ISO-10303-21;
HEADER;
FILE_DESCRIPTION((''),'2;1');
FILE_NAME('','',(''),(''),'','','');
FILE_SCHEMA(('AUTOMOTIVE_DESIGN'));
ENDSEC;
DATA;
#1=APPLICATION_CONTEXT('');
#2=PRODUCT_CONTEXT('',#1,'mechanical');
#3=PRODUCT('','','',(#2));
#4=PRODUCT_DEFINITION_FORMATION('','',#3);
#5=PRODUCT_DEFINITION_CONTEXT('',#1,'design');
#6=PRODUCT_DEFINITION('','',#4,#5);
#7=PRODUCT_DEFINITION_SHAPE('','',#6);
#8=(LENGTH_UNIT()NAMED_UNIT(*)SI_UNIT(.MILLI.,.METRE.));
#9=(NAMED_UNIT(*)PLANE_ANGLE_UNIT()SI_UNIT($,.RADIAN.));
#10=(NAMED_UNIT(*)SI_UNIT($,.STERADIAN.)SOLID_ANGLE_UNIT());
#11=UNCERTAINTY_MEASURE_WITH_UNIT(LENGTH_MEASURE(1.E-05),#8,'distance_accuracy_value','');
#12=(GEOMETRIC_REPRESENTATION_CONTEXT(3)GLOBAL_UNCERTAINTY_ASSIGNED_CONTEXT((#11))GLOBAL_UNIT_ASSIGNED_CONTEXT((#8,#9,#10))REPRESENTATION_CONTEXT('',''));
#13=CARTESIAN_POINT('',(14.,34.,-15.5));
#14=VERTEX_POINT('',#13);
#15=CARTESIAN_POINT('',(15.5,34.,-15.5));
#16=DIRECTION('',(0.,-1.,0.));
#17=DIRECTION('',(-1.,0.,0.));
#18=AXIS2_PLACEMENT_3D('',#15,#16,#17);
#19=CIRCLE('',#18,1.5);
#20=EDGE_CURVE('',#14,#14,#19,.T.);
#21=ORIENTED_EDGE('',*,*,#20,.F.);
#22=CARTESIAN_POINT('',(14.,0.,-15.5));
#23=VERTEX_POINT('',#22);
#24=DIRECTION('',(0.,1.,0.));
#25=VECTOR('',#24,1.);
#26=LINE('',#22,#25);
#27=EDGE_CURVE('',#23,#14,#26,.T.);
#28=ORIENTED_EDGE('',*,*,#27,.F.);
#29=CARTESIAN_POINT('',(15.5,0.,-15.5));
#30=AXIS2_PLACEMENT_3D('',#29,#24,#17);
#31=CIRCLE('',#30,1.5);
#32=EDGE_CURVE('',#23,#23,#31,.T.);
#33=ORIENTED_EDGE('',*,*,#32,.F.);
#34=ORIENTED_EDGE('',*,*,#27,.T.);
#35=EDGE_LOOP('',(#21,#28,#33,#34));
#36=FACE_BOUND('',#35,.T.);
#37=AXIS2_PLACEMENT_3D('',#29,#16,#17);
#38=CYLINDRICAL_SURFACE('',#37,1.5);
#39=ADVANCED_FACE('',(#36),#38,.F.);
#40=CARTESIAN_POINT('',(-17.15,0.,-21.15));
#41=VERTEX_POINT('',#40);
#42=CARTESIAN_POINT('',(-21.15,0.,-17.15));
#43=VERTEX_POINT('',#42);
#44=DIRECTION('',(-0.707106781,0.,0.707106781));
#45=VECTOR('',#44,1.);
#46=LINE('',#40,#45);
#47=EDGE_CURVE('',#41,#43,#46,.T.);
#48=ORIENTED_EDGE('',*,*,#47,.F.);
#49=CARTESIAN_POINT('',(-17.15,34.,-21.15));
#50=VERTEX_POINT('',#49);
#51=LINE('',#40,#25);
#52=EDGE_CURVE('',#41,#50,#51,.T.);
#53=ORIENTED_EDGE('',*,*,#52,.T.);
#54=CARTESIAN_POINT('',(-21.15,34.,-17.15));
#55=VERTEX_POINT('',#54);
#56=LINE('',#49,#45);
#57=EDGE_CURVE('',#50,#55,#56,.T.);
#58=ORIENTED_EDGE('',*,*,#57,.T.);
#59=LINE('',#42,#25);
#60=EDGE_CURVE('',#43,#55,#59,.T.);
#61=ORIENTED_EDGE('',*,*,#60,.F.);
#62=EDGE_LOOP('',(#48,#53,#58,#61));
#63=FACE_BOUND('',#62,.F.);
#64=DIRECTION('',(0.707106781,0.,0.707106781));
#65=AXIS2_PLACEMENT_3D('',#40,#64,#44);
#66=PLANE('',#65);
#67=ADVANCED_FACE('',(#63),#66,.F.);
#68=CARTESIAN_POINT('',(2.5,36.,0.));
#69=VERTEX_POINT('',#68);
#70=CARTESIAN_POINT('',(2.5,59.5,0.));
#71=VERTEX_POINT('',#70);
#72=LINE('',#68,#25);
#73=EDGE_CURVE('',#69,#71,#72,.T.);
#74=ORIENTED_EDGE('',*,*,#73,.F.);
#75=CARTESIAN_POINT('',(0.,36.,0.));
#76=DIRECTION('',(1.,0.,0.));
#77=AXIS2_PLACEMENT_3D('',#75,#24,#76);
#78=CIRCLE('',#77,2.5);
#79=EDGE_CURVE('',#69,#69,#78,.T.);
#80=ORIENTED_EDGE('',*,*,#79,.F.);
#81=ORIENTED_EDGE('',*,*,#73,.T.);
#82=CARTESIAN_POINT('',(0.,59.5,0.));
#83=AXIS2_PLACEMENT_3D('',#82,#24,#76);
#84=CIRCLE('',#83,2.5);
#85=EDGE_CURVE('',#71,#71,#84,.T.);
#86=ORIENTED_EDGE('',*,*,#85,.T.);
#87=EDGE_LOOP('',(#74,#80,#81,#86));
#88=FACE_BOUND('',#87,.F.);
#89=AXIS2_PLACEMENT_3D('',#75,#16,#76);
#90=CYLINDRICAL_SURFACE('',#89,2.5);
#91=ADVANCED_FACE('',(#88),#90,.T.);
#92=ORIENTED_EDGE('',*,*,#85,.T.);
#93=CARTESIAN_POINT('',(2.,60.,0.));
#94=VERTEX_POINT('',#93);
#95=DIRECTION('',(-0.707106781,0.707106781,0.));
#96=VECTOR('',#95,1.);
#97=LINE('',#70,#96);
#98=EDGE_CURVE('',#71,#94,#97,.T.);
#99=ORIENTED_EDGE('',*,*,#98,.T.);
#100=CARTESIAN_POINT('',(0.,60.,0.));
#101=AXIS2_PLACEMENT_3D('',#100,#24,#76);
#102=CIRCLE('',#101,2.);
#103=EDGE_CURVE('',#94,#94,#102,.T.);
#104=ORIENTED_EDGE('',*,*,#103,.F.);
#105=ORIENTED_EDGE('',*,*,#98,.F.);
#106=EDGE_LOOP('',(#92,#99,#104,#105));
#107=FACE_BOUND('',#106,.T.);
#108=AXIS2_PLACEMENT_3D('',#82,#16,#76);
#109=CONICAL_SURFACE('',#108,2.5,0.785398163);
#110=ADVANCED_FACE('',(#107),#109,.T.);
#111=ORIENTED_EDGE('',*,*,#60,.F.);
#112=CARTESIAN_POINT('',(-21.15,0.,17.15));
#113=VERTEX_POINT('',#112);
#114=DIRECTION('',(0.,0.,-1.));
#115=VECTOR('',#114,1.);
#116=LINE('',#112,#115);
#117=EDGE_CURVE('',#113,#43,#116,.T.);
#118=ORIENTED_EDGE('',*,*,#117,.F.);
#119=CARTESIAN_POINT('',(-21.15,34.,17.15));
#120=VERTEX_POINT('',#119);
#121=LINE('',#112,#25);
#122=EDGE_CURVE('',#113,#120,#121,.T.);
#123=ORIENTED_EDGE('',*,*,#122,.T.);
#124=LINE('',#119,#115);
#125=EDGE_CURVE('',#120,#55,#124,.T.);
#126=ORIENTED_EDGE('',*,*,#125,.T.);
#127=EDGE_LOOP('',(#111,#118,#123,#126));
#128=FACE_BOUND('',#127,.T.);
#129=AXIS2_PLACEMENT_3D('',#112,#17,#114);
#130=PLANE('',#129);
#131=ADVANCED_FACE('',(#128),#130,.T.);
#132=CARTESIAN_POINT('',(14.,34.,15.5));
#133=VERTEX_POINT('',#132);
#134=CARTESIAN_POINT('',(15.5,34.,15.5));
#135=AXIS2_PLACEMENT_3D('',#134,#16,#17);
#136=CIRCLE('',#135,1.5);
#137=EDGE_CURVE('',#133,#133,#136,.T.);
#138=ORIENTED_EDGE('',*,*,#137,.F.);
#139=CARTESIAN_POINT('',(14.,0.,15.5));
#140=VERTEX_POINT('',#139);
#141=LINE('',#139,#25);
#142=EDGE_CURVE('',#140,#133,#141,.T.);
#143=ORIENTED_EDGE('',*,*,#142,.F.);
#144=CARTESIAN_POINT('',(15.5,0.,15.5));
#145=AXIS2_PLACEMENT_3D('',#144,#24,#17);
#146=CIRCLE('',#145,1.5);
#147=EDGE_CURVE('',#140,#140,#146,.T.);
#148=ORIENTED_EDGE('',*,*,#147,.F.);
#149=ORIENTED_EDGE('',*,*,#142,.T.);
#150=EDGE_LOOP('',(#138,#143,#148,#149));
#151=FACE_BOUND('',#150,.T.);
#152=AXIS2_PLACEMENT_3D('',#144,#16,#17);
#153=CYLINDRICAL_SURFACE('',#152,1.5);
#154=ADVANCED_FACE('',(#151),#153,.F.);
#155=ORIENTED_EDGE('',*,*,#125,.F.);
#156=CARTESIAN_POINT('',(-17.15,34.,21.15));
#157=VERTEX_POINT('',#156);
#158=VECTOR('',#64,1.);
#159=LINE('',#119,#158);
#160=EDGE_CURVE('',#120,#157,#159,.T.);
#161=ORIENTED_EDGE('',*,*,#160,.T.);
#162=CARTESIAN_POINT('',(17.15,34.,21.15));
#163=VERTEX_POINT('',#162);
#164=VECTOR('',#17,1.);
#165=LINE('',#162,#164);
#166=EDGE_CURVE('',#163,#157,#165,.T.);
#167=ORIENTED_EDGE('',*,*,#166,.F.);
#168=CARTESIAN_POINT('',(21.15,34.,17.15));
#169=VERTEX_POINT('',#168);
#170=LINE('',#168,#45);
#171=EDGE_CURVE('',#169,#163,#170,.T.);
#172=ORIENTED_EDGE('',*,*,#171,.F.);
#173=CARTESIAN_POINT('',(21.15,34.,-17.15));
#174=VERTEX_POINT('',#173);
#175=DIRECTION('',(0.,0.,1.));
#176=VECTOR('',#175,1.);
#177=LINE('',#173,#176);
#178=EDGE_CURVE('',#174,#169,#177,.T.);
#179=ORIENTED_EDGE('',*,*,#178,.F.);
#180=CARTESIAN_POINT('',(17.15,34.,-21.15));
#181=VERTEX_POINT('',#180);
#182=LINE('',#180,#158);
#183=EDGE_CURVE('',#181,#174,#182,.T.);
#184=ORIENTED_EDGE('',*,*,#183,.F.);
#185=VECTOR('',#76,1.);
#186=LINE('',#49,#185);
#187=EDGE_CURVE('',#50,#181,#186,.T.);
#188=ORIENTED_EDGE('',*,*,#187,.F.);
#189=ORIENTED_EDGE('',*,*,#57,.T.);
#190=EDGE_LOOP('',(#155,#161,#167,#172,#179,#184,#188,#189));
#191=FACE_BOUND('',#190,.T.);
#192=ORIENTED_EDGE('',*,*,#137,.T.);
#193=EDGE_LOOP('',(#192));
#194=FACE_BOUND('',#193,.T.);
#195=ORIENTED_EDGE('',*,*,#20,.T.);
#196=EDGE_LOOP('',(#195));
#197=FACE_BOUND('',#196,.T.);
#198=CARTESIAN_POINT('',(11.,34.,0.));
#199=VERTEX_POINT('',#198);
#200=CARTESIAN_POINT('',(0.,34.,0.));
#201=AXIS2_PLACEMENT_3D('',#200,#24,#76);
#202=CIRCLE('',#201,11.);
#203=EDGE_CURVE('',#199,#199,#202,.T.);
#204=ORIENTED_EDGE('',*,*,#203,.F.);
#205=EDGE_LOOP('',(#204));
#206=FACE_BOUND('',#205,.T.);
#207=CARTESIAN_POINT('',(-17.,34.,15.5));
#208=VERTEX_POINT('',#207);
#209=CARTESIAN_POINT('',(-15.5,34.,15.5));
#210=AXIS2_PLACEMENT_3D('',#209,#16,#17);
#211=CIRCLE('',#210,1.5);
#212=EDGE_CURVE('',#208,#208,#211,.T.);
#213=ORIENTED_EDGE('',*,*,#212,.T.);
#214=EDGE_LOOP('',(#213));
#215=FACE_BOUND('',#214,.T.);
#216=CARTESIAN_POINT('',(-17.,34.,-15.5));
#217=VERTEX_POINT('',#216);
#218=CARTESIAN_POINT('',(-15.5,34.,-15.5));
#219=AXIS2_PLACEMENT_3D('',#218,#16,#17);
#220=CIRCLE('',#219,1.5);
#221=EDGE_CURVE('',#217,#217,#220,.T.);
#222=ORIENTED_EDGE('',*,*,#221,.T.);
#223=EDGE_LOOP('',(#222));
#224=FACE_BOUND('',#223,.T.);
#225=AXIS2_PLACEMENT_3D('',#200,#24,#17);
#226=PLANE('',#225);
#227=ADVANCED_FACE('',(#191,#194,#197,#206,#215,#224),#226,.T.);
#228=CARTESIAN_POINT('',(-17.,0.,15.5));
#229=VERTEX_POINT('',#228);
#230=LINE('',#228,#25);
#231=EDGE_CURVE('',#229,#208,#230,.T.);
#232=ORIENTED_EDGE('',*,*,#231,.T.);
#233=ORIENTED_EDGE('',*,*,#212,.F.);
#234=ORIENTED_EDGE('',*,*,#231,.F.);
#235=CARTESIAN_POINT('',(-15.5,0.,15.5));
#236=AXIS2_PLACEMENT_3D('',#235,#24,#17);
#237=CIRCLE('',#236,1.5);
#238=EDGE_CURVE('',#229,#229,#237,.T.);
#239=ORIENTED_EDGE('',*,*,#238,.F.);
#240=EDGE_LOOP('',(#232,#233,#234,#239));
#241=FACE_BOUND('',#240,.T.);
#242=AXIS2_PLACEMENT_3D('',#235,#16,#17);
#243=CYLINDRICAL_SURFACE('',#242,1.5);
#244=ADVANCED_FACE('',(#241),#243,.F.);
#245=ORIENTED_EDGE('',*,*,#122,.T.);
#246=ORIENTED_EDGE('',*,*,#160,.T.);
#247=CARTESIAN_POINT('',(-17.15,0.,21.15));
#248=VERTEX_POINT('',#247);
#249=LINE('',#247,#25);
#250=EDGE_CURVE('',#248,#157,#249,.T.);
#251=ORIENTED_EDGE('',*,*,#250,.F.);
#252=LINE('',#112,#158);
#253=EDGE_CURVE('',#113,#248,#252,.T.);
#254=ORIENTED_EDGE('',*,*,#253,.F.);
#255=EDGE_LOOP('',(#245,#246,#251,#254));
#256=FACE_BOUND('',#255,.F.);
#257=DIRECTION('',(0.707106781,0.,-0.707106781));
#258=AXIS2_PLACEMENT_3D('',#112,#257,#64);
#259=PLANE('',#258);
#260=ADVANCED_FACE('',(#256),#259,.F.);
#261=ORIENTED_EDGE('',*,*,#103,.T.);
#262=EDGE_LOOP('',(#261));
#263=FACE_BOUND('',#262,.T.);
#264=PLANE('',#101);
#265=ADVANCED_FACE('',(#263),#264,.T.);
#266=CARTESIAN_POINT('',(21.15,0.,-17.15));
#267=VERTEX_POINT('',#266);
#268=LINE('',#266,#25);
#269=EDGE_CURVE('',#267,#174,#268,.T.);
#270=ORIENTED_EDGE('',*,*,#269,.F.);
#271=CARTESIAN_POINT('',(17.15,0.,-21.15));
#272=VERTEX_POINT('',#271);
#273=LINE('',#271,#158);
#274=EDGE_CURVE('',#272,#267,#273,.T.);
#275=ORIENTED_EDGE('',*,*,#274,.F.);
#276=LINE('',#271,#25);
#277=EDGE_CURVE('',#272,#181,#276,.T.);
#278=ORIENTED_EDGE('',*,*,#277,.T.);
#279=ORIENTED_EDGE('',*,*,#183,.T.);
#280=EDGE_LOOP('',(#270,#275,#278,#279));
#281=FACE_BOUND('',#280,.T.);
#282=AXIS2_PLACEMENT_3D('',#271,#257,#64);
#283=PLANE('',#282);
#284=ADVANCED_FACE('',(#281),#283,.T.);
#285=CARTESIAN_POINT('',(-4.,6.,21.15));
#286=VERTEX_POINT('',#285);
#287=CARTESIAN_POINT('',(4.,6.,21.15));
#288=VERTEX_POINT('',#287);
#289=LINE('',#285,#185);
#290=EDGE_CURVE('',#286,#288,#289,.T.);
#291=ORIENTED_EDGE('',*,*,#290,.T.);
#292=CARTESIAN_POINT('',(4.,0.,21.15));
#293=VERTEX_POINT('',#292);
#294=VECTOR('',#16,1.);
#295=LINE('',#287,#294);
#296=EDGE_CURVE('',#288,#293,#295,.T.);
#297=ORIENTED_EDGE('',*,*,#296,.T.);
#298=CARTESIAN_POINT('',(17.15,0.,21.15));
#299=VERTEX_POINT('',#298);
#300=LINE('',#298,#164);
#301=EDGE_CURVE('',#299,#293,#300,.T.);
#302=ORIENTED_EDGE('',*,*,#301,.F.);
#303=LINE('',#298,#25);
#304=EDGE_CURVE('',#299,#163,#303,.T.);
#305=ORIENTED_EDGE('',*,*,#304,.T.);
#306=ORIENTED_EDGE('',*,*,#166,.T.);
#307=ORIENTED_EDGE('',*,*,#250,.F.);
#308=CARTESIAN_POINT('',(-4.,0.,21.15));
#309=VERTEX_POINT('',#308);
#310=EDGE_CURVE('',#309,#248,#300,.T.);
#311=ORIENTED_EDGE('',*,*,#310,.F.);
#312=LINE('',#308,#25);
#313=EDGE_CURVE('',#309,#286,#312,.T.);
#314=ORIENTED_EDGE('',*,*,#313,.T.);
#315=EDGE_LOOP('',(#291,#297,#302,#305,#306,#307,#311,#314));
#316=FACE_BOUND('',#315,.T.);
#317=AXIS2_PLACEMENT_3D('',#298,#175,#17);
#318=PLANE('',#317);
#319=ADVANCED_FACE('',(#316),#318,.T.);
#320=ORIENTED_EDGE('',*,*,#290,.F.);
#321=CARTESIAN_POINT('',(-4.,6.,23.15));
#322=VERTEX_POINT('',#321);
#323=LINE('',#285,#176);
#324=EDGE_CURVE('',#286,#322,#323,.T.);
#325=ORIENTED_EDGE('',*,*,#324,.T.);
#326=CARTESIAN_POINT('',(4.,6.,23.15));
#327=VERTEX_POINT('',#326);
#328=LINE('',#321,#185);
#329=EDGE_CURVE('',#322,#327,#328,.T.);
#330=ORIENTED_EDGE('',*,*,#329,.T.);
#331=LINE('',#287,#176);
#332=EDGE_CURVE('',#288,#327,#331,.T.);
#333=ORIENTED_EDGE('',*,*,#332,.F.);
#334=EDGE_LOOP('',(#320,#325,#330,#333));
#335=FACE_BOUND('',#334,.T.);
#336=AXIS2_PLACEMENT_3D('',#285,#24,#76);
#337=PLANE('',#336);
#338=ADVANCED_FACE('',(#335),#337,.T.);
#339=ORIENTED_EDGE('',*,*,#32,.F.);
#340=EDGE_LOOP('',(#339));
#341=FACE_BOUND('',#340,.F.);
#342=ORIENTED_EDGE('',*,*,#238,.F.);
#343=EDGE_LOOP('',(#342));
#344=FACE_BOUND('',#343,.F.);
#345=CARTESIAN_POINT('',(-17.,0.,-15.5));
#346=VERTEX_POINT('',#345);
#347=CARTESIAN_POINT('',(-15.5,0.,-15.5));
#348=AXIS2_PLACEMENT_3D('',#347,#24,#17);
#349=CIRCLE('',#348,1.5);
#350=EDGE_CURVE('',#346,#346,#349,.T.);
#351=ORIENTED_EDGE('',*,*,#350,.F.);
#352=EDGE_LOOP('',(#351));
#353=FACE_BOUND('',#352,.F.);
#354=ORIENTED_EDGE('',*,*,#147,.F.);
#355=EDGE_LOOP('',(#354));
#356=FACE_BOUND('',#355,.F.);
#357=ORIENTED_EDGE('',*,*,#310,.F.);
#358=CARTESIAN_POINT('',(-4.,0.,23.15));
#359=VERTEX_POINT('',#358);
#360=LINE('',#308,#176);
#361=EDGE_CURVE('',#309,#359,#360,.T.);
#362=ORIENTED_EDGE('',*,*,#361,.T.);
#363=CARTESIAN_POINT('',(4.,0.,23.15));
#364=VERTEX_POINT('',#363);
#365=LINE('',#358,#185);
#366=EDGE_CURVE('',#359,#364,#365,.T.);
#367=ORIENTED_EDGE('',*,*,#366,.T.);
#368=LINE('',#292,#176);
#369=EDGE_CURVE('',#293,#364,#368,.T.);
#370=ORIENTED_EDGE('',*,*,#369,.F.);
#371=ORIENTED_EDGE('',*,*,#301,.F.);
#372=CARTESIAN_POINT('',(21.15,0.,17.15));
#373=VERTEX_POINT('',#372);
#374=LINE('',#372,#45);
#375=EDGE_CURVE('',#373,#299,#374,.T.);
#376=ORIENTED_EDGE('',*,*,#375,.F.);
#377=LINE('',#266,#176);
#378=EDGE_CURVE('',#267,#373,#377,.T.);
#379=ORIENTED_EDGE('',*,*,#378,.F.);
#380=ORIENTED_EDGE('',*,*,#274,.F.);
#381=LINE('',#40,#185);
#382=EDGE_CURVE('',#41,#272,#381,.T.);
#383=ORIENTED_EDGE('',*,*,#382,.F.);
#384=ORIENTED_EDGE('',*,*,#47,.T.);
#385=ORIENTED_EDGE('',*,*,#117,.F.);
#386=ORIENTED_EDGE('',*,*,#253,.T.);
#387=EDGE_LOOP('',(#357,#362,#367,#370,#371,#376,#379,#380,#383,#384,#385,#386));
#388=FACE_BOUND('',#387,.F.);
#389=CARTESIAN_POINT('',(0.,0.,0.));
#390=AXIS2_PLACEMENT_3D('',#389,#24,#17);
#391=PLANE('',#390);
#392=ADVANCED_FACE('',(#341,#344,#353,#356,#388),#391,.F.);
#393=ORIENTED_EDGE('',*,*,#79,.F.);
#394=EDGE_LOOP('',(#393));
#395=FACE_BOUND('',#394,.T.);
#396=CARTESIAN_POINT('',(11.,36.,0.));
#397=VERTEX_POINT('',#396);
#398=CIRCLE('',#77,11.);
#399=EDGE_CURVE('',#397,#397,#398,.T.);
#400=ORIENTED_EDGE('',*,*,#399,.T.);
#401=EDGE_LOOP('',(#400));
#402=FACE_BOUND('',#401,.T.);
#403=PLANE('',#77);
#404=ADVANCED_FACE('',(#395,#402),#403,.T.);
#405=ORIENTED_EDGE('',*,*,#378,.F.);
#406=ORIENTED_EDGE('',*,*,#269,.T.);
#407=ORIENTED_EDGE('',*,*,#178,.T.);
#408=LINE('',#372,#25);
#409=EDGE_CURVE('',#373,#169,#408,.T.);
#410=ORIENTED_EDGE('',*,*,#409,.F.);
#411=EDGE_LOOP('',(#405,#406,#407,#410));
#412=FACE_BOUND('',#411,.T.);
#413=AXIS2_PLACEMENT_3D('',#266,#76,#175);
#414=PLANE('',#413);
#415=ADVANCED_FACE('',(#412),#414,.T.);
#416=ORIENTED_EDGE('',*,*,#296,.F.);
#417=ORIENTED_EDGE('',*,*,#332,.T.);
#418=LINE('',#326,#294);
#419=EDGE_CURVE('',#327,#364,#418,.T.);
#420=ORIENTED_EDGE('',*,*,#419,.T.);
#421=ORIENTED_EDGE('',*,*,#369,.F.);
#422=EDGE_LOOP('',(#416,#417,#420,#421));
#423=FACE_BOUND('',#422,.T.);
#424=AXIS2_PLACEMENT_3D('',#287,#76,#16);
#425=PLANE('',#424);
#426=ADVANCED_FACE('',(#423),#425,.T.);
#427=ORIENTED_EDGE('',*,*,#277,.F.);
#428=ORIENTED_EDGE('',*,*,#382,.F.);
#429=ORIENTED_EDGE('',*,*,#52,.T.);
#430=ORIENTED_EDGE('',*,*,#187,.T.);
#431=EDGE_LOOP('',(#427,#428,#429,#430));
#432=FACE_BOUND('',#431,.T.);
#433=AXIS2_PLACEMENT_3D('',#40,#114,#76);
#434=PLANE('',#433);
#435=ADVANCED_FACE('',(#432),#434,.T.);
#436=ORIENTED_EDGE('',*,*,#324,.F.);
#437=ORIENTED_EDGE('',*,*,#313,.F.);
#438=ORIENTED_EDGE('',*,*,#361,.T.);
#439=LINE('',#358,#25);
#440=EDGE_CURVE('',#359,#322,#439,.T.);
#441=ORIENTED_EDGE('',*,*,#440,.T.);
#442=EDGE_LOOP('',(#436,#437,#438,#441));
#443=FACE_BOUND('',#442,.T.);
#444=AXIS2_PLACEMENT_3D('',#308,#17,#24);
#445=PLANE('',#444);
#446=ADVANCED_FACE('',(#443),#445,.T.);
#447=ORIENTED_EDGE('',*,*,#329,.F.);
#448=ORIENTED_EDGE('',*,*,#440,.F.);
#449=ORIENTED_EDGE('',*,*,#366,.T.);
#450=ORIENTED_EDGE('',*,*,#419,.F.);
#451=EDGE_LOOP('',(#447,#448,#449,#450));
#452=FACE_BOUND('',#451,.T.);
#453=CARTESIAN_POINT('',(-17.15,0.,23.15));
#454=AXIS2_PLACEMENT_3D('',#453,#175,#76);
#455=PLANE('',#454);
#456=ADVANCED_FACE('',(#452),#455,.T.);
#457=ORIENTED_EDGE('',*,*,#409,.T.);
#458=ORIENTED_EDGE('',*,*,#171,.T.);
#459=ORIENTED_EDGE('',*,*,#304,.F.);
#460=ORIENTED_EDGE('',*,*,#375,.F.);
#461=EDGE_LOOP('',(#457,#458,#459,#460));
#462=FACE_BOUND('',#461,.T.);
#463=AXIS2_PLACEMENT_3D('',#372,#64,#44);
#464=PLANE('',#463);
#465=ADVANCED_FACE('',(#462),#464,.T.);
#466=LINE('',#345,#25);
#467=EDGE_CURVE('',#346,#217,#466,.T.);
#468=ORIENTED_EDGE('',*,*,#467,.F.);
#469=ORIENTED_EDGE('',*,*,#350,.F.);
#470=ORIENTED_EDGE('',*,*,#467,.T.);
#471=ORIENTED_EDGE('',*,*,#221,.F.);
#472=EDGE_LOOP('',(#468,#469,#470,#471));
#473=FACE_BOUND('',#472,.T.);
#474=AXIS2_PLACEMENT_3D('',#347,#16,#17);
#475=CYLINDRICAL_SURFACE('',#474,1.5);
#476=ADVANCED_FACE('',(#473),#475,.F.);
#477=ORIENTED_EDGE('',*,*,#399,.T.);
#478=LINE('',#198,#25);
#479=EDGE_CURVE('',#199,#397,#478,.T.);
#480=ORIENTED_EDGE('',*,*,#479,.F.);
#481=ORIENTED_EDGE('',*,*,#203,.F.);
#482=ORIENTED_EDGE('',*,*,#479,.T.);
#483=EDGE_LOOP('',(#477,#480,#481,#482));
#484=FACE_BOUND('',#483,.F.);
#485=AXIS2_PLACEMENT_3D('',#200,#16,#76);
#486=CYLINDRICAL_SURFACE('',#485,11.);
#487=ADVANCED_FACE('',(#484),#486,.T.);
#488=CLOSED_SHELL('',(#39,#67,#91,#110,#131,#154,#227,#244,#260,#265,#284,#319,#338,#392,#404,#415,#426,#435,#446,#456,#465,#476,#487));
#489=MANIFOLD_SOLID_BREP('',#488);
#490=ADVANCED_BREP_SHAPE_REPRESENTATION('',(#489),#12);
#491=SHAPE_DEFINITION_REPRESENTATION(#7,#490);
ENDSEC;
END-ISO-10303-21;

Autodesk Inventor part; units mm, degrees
ref_plane "YZ Plane" through (0, 0, 0) normal (1, 0, 0) x (0, 1, 0)
ref_plane "XZ Plane" through (0, 0, 0) normal (0, 1, 0) x (-1, 0, 0)
ref_plane "XY Plane" through (0, 0, 0) normal (0, 0, 1) x (1, 0, 0)
sketch "Sketch1" plane through (0, 0, 0) normal (0, 1, 0) x (-1, 0, 0)
  line L0 (-17.15, 21.15) -> (17.15, 21.15)
  line L1 (21.15, 17.15) -> (21.15, -17.15)
  line L2 (17.15, -21.15) -> (-17.15, -21.15)
  line L3 (-21.15, -17.15) -> (-21.15, 17.15)
  line L4 (-21.15, 21.15) -> (21.15, -21.15) construction
  line L5 (21.15, 21.15) -> (-21.15, -21.15) construction
  line L6 (-15.5, 15.5) -> (15.5, 15.5)
  line L7 (15.5, 15.5) -> (15.5, -15.5)
  line L8 (15.5, -15.5) -> (-15.5, -15.5)
  line L9 (-15.5, -15.5) -> (-15.5, 15.5)
  line L10 (-15.5, 15.5) -> (15.5, -15.5) construction
  line L11 (15.5, 15.5) -> (-15.5, -15.5) construction
  circle A0 centre (15.5, 15.5) radius 1.5
  circle A1 centre (-15.5, 15.5) radius 1.5
  circle A2 centre (15.5, -15.5) radius 1.5
  circle A3 centre (-15.5, -15.5) radius 1.5
  line L12 (21.15, 17.15) -> (17.15, 21.15)
  line L13 (-21.15, 17.15) -> (-17.15, 21.15)
  line L14 (-17.15, -21.15) -> (-21.15, -17.15)
  line L15 (17.15, -21.15) -> (21.15, -17.15)
  point P0 (0, 0)
  dimension "d0" = 42.3
  dimension "d1" = 42.3
  dimension "d2" = 31
  dimension "d3" = 31
  dimension "d4" = 3
  dimension "d7" = 31
  dimension "d10" = 31
  dimension "d13" = 4
  dimension "d14" = 4
  dimension "d15" = 4
  dimension "d16" = 4
  dimension "d17" = 4
  dimension "d18" = 4
  dimension "d19" = 4
  dimension "d20" = 4
extrude "Extrusion1" add sketch "Sketch1" along normal blind 34 contours L0 L12 L1 L15 L2 L14 L3 L13 | L6 A0 L7 A2 L8 A3 L9 A1
sketch "Sketch2" plane through (0, 34, 0) normal (0, 1, 0) x (1, 0, 0)
  circle A0 centre (0, 0) radius 11
  dimension "d23" = 22
extrude "Extrusion2" add sketch "Sketch2" along normal blind 2
sketch "Sketch3" plane through (0, 36, 0) normal (0, 1, 0) x (1, 0, 0)
  circle A0 centre (0, 0) radius 2.5
  dimension "d26" = 5
extrude "Extrusion3" add sketch "Sketch3" along normal blind 24
chamfer "Chamfer1" distance 0.5 angle 45 1 edges at (-2.5, 60, 0)
sketch "Sketch4" plane through (-17.15, 0, 21.15) normal (0, 0, 1) x (1, 0, 0)
  line L0 (13.15, 0) -> (21.15, 0)
  line L1 (0, 0) -> (34.3, 0) projected
  line L2 (21.15, 0) -> (13.15, 0)
  line L3 (13.15, 0) -> (13.15, 6)
  line L4 (13.15, 6) -> (21.15, 6)
  line L5 (21.15, 6) -> (21.15, 0)
  point P0 (17.15, 0)
  dimension "d32" = 8
  dimension "d33" = 8
  dimension "d34" = 6
extrude "Extrusion4" add sketch "Sketch4" along normal blind 2
equation "\"d14\" = d13"
equation "\"d15\" = d13"
equation "\"d16\" = d15"
equation "\"d17\" = d13"
equation "\"d18\" = d17"
equation "\"d19\" = d13"
equation "\"d20\" = d19"
properties part number "Stepper_motor"
